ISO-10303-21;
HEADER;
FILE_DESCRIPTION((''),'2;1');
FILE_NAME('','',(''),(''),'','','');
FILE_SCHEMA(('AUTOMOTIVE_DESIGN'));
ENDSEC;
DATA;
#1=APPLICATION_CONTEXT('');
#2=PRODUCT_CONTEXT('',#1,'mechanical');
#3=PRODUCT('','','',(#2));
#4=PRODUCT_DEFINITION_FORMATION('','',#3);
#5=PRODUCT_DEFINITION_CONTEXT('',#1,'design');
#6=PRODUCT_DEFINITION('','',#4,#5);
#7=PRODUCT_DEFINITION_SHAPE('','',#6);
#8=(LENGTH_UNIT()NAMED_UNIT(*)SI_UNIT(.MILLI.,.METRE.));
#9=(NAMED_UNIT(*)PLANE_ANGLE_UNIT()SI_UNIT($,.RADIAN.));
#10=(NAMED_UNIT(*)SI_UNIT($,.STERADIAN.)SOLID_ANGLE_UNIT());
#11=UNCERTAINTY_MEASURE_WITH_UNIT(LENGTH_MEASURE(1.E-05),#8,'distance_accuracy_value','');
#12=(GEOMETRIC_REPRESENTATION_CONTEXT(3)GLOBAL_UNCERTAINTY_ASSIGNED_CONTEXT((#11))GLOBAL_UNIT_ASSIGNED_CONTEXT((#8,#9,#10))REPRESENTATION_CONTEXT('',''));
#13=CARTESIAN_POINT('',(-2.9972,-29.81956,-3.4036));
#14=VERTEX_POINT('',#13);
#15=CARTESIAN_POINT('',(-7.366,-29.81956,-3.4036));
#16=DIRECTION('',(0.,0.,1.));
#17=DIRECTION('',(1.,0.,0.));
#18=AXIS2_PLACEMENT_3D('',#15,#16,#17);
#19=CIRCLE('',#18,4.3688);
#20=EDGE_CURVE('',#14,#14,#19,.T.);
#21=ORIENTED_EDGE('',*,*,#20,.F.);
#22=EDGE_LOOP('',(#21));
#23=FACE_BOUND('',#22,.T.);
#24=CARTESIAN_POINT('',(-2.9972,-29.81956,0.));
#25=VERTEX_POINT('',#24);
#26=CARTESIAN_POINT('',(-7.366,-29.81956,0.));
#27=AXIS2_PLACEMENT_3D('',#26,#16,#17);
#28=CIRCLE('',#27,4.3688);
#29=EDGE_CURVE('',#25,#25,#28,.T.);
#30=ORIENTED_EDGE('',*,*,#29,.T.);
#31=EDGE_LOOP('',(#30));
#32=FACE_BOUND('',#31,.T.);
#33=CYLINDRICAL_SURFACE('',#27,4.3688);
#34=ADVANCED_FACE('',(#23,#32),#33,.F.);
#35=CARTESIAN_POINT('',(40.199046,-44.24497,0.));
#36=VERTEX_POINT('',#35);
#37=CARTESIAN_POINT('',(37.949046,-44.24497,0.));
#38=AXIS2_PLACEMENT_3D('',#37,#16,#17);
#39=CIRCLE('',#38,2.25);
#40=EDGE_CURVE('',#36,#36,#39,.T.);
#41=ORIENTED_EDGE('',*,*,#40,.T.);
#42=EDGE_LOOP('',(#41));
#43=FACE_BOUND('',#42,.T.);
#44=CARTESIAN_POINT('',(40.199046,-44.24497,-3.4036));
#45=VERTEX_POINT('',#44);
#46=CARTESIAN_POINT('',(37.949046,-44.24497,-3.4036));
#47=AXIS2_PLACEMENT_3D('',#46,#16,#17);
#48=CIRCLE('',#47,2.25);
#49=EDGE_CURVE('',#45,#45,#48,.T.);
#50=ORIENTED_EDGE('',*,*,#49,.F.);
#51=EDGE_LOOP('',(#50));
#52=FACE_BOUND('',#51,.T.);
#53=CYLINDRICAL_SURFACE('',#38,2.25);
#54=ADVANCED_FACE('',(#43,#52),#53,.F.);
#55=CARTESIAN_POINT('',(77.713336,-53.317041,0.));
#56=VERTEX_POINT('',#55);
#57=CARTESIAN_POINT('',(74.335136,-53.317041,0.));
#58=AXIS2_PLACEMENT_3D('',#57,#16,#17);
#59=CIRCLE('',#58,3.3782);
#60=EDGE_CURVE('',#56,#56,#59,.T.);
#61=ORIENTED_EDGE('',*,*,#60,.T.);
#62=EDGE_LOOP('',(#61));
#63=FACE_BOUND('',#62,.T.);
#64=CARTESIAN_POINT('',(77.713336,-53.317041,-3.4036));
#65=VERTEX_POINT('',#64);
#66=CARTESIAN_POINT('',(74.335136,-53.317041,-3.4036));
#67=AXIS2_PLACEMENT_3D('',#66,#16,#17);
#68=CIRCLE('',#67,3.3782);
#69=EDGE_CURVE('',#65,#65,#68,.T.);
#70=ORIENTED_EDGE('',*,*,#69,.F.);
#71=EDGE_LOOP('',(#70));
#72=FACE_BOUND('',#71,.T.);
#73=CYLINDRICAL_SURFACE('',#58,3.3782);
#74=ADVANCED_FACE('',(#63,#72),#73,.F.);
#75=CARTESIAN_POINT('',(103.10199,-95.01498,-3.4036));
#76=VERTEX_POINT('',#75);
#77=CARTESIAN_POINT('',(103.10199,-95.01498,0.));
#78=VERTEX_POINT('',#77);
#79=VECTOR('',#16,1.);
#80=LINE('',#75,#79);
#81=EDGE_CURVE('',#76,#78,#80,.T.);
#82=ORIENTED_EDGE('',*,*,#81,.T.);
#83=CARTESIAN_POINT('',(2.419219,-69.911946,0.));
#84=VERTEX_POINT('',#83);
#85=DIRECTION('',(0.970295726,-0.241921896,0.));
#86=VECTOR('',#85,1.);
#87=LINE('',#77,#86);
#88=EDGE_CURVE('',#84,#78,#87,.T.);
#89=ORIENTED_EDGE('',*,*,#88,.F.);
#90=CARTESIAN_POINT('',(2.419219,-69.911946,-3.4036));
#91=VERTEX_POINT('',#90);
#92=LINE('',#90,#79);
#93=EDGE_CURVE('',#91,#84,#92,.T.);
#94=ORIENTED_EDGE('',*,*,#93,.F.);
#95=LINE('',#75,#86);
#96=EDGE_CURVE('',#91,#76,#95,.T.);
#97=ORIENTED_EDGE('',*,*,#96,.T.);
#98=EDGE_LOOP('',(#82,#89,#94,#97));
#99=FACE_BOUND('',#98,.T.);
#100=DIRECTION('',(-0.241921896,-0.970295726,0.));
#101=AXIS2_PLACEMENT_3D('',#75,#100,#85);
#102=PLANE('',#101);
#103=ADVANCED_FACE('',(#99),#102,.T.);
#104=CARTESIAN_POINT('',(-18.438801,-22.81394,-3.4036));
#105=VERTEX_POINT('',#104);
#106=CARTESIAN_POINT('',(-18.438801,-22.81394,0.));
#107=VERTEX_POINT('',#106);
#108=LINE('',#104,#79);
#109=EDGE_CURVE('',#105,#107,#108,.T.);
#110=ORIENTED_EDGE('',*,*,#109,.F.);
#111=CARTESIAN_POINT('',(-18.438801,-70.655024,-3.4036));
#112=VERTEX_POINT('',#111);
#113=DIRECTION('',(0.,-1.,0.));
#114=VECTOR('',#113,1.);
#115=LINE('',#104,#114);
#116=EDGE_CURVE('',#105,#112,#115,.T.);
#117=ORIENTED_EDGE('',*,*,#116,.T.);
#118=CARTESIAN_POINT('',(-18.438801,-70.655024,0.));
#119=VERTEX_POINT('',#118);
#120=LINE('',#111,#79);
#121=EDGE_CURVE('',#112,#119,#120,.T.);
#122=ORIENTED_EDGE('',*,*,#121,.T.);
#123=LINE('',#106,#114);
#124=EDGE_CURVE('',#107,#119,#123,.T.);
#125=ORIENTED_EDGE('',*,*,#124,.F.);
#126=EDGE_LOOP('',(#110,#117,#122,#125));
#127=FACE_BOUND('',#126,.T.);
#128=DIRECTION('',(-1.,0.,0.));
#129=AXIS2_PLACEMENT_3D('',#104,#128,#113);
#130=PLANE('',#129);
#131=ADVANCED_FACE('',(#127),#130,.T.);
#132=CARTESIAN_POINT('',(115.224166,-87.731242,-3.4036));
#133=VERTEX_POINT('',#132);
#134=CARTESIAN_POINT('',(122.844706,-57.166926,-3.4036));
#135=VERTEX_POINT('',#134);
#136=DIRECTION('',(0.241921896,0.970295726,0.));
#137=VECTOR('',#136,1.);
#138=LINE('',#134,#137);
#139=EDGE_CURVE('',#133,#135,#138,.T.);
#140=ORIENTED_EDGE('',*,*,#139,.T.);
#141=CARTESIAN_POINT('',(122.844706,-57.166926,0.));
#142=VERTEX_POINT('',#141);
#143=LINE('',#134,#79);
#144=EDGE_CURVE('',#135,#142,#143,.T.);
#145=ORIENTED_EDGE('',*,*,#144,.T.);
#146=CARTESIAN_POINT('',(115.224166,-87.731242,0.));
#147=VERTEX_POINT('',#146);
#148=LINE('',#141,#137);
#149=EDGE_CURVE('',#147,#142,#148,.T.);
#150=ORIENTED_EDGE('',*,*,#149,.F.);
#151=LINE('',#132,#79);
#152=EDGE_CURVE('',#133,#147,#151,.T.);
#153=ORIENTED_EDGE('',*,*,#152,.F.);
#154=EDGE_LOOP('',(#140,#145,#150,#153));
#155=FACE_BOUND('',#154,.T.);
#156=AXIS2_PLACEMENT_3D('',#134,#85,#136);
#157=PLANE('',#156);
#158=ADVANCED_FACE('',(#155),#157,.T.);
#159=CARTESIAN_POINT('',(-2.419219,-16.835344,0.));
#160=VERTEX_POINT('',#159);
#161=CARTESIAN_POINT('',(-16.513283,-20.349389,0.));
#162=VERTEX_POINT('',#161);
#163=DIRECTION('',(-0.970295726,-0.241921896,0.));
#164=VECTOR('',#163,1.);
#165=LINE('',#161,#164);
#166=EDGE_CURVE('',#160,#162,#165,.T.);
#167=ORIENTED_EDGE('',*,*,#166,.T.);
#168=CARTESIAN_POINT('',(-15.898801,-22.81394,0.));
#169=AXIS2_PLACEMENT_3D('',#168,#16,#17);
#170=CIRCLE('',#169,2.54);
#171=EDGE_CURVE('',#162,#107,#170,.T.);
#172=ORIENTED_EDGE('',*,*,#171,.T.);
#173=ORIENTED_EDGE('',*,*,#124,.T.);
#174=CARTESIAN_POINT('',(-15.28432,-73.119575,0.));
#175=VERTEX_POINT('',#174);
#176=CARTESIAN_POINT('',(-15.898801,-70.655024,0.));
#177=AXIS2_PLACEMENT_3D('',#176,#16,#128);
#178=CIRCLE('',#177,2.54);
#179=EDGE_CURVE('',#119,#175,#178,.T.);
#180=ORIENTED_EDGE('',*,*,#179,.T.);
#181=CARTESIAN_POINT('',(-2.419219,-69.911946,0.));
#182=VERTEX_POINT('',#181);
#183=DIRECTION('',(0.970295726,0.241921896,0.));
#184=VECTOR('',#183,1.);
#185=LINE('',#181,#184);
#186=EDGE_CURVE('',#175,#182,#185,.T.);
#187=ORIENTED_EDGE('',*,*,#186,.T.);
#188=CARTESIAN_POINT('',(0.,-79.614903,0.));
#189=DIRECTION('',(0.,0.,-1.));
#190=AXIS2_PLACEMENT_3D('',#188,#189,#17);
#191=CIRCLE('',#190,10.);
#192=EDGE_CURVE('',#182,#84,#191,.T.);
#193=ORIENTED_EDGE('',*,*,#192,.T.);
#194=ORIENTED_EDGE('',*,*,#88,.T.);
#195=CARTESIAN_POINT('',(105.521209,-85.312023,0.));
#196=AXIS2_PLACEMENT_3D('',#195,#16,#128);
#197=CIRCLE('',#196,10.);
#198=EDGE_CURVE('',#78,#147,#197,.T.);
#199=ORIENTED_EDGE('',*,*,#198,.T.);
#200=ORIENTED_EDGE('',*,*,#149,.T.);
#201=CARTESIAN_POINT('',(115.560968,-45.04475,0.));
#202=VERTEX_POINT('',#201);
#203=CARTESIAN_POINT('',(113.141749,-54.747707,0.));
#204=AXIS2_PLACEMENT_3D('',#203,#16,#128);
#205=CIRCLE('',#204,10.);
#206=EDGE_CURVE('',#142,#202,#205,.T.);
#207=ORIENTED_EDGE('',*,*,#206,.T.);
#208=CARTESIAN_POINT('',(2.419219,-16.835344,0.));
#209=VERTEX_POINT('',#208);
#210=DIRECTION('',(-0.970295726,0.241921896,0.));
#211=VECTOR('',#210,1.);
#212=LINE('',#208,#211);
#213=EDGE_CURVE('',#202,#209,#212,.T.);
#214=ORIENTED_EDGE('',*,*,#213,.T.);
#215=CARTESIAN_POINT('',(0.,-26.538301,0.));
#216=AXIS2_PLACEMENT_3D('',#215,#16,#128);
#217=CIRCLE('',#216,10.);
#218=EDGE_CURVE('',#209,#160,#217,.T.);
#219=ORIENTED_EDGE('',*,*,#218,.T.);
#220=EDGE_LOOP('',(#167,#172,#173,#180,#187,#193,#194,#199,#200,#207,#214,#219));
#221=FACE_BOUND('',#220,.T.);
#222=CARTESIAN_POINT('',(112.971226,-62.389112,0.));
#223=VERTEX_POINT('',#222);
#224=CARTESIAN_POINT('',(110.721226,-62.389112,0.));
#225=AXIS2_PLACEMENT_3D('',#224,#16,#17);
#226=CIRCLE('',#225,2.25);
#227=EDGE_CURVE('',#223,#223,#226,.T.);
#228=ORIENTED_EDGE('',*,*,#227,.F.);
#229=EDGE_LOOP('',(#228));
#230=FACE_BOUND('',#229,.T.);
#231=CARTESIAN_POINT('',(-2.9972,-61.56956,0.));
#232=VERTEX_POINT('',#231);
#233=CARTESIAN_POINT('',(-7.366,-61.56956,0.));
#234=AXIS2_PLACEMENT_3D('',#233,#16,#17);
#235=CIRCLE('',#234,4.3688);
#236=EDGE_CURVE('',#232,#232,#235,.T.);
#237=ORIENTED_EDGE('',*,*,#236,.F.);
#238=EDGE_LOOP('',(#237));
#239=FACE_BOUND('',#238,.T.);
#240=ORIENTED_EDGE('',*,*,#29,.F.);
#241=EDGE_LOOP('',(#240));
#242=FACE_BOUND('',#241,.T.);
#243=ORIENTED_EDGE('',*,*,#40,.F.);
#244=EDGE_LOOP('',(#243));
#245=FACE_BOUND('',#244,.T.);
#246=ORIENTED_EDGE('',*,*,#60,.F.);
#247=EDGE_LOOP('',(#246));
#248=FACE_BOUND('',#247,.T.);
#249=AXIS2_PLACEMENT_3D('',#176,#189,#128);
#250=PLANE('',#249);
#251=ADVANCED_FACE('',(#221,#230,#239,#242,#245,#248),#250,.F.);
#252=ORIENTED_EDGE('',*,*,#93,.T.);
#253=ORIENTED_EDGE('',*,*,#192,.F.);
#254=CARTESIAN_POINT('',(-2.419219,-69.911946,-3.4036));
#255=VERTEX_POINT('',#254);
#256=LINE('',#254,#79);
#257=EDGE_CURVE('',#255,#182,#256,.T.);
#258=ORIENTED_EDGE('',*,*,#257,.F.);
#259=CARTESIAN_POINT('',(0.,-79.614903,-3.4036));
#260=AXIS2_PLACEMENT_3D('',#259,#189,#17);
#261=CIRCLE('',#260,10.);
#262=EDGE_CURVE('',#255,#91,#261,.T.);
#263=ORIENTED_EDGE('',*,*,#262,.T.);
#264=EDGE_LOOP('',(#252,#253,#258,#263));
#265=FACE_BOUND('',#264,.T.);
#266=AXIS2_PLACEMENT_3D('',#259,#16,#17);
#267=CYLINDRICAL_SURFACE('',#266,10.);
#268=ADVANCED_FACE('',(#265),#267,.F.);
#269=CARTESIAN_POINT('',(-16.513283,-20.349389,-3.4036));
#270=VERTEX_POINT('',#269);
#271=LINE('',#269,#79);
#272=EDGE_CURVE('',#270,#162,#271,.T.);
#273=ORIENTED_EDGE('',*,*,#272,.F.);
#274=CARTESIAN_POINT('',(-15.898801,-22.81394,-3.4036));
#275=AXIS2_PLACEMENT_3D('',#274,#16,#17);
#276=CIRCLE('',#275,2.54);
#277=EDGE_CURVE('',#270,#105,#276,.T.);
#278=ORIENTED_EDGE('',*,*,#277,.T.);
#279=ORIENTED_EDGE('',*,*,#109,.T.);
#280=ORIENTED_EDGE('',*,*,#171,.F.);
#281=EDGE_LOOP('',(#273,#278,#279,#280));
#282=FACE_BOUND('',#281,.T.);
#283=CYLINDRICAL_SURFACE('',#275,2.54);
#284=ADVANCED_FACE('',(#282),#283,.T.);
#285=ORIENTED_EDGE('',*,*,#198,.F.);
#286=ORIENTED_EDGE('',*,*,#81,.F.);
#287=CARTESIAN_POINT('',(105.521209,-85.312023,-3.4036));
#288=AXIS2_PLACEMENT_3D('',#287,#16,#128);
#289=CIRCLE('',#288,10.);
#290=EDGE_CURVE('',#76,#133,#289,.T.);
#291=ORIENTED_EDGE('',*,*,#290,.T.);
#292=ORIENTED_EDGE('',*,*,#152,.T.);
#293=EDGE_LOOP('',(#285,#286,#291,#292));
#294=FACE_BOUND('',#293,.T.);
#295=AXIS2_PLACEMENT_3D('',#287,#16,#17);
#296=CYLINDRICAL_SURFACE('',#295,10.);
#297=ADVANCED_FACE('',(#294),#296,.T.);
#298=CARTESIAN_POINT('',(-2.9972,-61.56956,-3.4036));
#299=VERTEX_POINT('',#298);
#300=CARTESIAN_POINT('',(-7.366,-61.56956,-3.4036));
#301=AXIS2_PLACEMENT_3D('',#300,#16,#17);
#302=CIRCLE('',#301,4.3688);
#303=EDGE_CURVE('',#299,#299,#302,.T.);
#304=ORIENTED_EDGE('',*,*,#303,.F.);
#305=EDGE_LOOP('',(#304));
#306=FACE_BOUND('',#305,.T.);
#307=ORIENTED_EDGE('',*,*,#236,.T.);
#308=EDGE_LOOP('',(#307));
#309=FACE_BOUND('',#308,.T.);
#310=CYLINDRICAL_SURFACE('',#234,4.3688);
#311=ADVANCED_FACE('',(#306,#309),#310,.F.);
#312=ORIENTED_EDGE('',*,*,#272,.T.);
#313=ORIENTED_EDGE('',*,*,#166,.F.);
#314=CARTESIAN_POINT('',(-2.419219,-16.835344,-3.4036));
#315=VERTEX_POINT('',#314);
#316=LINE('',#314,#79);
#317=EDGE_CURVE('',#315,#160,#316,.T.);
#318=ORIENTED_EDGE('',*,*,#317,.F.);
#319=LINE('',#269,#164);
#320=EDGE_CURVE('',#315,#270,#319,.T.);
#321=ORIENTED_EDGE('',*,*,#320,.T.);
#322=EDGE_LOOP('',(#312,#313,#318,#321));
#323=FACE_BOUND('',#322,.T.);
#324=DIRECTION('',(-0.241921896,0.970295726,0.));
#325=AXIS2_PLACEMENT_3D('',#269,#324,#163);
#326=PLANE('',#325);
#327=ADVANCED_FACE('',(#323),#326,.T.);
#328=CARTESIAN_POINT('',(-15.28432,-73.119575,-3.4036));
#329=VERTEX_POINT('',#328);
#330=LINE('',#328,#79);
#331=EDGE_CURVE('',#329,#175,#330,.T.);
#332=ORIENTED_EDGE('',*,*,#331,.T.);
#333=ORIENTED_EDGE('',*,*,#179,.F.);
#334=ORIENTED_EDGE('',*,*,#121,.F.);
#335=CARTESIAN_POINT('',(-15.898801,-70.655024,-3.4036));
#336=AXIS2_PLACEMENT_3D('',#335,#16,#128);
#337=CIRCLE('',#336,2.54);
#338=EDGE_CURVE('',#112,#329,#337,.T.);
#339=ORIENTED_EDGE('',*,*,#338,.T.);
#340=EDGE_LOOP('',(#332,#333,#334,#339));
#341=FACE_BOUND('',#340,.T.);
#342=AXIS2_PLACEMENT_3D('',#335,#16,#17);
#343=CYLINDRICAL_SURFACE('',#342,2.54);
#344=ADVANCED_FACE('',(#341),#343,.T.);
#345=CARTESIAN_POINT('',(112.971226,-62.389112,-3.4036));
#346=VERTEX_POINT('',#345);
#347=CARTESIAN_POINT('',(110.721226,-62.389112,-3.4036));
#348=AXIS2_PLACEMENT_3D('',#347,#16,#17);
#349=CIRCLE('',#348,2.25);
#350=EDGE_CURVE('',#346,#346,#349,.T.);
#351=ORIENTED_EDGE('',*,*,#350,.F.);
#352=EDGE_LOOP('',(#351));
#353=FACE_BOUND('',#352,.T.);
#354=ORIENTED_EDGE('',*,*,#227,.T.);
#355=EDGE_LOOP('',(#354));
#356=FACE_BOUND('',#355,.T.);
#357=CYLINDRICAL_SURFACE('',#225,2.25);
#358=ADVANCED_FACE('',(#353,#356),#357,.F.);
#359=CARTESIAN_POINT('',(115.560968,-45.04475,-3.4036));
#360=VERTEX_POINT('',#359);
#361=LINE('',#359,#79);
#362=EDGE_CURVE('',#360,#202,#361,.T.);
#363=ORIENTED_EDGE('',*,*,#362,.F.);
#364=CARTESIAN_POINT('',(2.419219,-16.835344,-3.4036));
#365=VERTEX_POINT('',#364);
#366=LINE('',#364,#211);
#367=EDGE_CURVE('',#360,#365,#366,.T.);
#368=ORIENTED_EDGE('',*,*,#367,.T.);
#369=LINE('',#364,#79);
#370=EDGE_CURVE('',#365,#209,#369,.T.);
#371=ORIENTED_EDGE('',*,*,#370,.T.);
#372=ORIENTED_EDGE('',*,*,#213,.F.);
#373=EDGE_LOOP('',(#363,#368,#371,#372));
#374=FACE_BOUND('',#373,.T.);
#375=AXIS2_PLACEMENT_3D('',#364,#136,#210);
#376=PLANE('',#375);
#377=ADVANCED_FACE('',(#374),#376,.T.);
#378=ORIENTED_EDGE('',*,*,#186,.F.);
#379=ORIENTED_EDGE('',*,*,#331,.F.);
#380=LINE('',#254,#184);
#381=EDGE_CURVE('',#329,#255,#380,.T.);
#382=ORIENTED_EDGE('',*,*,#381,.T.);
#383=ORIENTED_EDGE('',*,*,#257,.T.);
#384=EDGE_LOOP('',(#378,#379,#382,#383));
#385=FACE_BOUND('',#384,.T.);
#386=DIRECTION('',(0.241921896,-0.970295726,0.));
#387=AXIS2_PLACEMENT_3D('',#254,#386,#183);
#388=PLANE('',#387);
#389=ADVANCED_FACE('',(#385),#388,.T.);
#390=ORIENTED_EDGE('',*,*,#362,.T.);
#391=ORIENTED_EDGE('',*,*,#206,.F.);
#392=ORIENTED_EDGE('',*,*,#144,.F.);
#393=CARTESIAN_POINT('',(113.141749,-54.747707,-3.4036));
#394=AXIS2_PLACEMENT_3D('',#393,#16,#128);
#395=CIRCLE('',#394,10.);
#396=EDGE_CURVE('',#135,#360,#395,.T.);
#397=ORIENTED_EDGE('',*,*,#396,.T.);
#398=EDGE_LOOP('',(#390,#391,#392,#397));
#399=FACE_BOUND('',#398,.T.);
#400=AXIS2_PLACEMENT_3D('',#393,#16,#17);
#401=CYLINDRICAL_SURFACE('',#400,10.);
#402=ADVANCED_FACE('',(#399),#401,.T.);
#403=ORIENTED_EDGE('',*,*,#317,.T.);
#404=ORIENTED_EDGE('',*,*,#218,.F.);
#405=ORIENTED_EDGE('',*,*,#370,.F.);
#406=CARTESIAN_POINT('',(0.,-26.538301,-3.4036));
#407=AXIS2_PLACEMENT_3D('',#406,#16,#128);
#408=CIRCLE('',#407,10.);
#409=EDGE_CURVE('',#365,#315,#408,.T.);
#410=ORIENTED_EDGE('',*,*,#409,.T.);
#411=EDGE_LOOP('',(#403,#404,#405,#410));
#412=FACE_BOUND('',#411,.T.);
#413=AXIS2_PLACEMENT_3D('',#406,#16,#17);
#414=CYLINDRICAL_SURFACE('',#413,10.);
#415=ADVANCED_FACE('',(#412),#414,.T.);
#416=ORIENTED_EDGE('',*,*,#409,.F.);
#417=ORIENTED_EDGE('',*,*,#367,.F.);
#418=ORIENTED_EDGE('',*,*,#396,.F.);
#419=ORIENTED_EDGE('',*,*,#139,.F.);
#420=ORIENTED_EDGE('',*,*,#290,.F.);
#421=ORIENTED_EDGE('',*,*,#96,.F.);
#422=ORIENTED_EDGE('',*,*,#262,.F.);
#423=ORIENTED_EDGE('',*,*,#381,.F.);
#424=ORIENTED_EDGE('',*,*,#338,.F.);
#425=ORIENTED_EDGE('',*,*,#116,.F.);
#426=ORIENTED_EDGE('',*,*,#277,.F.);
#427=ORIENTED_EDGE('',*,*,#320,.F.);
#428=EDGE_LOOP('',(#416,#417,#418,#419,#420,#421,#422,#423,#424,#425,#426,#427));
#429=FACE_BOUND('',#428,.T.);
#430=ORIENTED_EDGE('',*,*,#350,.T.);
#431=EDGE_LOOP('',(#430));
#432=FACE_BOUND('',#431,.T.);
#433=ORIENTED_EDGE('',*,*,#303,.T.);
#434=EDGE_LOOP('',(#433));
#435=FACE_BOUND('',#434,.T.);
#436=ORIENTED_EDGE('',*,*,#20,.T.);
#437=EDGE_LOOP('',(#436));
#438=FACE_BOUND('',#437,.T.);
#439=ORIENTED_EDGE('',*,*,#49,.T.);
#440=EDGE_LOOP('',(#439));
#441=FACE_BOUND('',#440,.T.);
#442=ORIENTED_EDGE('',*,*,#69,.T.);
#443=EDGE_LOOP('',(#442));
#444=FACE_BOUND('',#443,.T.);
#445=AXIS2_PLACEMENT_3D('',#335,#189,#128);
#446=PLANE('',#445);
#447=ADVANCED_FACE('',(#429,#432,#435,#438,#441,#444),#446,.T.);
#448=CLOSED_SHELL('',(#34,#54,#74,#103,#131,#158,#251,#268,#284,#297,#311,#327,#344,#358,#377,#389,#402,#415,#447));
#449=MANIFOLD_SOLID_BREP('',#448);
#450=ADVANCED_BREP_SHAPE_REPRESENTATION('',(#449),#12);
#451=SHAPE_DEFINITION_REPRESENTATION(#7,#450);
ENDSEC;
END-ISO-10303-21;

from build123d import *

# Parameters (mm, degrees)
BOSS_EXTRUDE1_DEPTH             = 3.4036
F_1_4_CLEARANCE_HOLE1_D         = 6.7564
M4_CLEARANCE_HOLE1_D            = 4.5
HOLE_FOR_1_4_300_SC_NUTS_SP_1_D = 8.7376


with BuildPart() as part:
    # Sketch1 → Boss-Extrude1 (new body)
    with BuildSketch(Plane.XY):
        with BuildLine():
            Line((-16.513283012, -20.349388536), (-2.419218956, -16.835343693))
            ThreePointArc((-2.419218956, -16.835343693), (0, -16.538300956), (2.419218956, -16.835343693))
            Line((2.419218956, -16.835343693), (115.560967743, -45.044749956))
            ThreePointArc((115.560967743, -45.044749956), (121.713421794, -49.59732647), (122.84470605, -57.166926175))
            Line((122.84470605, -57.166926175), (115.224166338, -87.731241553))
            ThreePointArc((115.224166338, -87.731241553), (110.671589825, -93.883695604), (103.101990119, -95.014979859))
            Line((103.101990119, -95.014979859), (2.419218956, -69.911945605))
            ThreePointArc((2.419218956, -69.911945605), (0, -69.614902867), (-2.419218956, -69.911945605))
            Line((-2.419218956, -69.911945605), (-15.284319782, -73.1195755))
            ThreePointArc((-15.284319782, -73.1195755), (-17.462581544, -72.656571669), (-18.438801397, -70.655024355))
            Line((-18.438801397, -70.655024355), (-18.438801397, -22.813939681))
            ThreePointArc((-18.438801397, -22.813939681), (-17.900348711, -21.250159533), (-16.513283012, -20.349388536))
        make_face()
    extrude(amount=-BOSS_EXTRUDE1_DEPTH)

    # 1/4 Clearance Hole1 (through all)
    with Locations(Plane.XY):
        with Locations((74.335136024, -53.317040996)):
            Hole(F_1_4_CLEARANCE_HOLE1_D / 2)

    # M4 Clearance Hole1 (through all)
    with Locations(Plane.XY):
        with Locations((37.949046288, -44.244969911), (110.721225759, -62.389112081)):
            Hole(M4_CLEARANCE_HOLE1_D / 2)

    # Hole for 1/4 300® SC Nuts (SP)1 (through all)
    with Locations(Plane.XY):
        with Locations((-7.366, -61.569560235), (-7.366, -29.819560235)):
            Hole(HOLE_FOR_1_4_300_SC_NUTS_SP_1_D / 2)


solid = part.part
